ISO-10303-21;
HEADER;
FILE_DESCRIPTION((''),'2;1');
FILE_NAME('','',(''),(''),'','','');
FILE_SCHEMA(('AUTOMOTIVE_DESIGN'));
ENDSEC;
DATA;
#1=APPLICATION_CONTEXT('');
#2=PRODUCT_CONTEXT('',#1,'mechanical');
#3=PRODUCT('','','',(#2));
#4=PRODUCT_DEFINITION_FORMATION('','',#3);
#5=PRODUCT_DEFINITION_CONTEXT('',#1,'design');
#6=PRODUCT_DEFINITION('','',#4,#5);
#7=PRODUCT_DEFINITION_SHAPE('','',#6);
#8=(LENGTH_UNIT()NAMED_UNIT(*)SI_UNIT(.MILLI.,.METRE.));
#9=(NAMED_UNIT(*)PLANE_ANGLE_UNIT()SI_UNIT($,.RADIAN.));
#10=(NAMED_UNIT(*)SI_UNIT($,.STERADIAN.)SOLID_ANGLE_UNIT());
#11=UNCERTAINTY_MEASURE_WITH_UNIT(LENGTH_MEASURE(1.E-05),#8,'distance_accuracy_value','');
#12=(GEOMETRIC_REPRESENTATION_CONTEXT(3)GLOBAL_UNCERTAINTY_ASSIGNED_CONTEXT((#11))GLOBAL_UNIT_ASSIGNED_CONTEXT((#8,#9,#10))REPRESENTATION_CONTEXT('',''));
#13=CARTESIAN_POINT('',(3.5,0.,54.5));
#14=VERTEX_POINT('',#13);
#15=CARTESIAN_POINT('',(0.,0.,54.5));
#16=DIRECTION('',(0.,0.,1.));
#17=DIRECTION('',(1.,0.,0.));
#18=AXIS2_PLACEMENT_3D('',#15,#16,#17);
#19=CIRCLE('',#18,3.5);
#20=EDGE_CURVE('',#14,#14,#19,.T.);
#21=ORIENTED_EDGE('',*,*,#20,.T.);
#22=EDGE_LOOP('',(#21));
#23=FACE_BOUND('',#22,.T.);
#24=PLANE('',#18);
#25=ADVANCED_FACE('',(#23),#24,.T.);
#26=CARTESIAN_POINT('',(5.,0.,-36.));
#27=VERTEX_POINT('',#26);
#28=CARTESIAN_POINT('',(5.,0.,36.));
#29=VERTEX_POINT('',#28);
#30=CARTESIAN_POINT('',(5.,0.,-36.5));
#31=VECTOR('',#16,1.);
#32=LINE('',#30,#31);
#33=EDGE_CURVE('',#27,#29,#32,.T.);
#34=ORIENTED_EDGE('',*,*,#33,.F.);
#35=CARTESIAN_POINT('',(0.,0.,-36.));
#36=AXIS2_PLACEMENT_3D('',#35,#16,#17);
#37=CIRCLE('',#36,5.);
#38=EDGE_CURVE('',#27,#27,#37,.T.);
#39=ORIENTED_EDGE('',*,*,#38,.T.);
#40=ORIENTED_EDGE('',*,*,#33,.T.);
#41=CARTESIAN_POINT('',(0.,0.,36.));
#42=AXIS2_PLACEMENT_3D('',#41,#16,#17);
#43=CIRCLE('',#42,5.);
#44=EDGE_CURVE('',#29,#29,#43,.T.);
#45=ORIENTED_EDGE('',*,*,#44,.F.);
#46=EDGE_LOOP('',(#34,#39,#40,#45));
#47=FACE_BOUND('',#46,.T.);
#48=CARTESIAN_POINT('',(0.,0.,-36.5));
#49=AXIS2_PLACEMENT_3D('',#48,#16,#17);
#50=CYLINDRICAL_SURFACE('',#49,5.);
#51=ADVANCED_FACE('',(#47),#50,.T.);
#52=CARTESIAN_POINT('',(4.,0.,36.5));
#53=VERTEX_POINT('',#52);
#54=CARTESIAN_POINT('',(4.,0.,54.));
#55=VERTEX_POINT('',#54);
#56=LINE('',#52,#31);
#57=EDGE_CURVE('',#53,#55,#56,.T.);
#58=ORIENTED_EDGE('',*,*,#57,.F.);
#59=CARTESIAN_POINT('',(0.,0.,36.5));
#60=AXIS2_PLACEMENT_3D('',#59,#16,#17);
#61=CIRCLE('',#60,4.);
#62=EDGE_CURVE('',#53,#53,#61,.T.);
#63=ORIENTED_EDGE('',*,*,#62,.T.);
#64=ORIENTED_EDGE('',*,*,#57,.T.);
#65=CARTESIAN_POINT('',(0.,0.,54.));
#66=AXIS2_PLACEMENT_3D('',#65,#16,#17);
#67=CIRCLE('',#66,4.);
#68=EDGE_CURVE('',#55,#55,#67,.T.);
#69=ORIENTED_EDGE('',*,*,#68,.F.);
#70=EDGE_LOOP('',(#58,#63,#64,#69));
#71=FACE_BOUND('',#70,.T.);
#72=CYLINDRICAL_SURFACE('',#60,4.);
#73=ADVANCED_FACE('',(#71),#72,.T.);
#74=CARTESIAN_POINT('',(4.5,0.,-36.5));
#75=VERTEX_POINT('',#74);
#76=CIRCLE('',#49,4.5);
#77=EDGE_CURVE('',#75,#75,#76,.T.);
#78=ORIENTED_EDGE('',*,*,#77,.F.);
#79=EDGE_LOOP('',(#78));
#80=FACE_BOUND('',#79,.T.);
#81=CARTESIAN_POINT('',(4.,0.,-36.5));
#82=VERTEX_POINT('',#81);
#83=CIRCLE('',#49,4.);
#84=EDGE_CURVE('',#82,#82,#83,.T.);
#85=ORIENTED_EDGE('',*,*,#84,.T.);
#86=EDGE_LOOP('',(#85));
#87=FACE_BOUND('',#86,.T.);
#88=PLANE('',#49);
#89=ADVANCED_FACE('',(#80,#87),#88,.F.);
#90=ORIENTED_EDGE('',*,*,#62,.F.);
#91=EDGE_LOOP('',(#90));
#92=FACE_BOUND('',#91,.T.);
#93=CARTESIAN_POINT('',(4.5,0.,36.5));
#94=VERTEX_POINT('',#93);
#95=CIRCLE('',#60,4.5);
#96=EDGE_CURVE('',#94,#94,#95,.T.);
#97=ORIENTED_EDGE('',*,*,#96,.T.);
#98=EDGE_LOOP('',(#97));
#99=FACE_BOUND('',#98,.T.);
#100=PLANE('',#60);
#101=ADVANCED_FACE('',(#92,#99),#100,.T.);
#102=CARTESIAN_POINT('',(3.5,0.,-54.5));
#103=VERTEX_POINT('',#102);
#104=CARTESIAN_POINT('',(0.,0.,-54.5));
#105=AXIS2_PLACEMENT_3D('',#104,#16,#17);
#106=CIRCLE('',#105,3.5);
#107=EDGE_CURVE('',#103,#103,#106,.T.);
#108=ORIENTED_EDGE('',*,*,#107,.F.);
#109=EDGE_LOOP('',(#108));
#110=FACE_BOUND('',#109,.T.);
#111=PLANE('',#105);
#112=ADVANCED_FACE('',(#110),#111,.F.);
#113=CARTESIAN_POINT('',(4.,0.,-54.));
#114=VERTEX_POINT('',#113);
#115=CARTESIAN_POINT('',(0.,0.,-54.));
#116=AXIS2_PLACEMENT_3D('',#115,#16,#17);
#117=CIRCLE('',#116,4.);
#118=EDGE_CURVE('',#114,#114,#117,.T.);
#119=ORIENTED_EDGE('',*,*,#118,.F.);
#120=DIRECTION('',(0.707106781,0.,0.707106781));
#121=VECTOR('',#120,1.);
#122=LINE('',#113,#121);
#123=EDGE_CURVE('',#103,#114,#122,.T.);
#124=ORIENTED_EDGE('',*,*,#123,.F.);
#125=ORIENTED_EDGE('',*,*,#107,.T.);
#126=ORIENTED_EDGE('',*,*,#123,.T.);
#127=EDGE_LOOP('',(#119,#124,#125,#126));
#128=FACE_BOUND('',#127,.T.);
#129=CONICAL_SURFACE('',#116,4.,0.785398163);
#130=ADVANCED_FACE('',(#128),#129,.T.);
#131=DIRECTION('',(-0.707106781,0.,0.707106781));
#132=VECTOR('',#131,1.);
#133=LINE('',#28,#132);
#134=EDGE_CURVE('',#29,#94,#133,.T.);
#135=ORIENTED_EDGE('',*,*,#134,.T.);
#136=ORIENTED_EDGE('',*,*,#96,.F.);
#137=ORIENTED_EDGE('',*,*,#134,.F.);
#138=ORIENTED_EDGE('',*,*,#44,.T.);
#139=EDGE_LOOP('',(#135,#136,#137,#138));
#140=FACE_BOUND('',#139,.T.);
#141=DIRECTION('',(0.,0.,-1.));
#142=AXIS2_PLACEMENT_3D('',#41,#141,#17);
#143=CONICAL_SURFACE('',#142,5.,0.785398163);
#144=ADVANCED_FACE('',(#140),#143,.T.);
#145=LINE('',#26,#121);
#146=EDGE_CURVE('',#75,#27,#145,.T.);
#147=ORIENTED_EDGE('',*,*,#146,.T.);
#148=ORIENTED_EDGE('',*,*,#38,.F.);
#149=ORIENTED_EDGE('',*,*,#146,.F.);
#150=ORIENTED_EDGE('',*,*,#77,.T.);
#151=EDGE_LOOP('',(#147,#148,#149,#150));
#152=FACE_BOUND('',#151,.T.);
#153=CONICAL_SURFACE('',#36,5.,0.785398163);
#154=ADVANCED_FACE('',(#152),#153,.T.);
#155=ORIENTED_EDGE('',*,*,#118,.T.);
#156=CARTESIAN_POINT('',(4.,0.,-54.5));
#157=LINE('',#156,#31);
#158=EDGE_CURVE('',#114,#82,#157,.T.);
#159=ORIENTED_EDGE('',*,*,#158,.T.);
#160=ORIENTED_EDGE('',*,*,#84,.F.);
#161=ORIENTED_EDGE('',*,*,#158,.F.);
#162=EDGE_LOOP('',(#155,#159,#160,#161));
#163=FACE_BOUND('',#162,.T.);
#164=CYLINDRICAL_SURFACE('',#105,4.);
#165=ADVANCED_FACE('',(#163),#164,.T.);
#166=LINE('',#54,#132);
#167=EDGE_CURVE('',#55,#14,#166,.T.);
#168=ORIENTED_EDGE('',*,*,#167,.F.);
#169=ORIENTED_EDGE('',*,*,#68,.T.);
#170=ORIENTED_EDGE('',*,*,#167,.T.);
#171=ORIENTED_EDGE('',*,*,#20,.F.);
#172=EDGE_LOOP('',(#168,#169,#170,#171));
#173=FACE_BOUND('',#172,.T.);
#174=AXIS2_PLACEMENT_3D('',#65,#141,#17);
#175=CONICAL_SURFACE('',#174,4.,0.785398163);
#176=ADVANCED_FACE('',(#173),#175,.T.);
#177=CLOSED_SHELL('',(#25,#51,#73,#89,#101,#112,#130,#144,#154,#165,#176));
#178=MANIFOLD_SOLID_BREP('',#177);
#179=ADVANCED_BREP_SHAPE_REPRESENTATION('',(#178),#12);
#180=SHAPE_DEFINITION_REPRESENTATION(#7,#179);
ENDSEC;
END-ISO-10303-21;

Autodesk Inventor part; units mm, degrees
ref_plane "YZ Plane" through (0, 0, 0) normal (1, 0, 0) x (0, 1, 0)
ref_plane "XZ Plane" through (0, 0, 0) normal (0, 1, 0) x (-1, 0, 0)
ref_plane "XY Plane" through (0, 0, 0) normal (0, 0, 1) x (1, 0, 0)
sketch "Sketch1" plane through (0, 0, 0) normal (0, 1, 0) x (-1, 0, 0)
  line L0 (1, 0) -> (-6, 0) projected
  line L1 (0, -76.3) -> (0, 76.3) projected
  line L2 (0, -54.5) -> (-4, -54.5)
  line L3 (-4, -54.5) -> (-4, -36.5)
  line L4 (-4, -36.5) -> (-5, -36.5)
  line L5 (-5, -36.5) -> (-5, 36.5)
  line L6 (-5, 36.5) -> (-4, 36.5)
  line L7 (-4, 36.5) -> (-4, 54.5)
  line L8 (-4, 54.5) -> (0, 54.5)
  dimension "d1" = 18
  dimension "d2" = 8
  dimension "d3" = 10
  dimension "d5" = 8
  dimension "d8" = 18
  dimension "d9" = 73
revolve "Revolution1" add sketch "Sketch1" angle 360 about axis through (0, 0, -10) along (0, 0, 1)
chamfer "Chamfer1" distance 0.5 angle 45 4 edges at (-4, 0, -54.5) (-4, 0, 54.5) (-5, 0, 36.5) (-5, 0, -36.5)
thread "Thread1" size "M8x1.25" class "6g" standard "ANSI Metric M Profile" full length
thread "Thread2" size "M8x1.25" class "6g" standard "ANSI Metric M Profile" full length
equation "\"d5\" = d2"
equation "\"d8\" = d1"
properties part number "Rear Wheel Axle"
